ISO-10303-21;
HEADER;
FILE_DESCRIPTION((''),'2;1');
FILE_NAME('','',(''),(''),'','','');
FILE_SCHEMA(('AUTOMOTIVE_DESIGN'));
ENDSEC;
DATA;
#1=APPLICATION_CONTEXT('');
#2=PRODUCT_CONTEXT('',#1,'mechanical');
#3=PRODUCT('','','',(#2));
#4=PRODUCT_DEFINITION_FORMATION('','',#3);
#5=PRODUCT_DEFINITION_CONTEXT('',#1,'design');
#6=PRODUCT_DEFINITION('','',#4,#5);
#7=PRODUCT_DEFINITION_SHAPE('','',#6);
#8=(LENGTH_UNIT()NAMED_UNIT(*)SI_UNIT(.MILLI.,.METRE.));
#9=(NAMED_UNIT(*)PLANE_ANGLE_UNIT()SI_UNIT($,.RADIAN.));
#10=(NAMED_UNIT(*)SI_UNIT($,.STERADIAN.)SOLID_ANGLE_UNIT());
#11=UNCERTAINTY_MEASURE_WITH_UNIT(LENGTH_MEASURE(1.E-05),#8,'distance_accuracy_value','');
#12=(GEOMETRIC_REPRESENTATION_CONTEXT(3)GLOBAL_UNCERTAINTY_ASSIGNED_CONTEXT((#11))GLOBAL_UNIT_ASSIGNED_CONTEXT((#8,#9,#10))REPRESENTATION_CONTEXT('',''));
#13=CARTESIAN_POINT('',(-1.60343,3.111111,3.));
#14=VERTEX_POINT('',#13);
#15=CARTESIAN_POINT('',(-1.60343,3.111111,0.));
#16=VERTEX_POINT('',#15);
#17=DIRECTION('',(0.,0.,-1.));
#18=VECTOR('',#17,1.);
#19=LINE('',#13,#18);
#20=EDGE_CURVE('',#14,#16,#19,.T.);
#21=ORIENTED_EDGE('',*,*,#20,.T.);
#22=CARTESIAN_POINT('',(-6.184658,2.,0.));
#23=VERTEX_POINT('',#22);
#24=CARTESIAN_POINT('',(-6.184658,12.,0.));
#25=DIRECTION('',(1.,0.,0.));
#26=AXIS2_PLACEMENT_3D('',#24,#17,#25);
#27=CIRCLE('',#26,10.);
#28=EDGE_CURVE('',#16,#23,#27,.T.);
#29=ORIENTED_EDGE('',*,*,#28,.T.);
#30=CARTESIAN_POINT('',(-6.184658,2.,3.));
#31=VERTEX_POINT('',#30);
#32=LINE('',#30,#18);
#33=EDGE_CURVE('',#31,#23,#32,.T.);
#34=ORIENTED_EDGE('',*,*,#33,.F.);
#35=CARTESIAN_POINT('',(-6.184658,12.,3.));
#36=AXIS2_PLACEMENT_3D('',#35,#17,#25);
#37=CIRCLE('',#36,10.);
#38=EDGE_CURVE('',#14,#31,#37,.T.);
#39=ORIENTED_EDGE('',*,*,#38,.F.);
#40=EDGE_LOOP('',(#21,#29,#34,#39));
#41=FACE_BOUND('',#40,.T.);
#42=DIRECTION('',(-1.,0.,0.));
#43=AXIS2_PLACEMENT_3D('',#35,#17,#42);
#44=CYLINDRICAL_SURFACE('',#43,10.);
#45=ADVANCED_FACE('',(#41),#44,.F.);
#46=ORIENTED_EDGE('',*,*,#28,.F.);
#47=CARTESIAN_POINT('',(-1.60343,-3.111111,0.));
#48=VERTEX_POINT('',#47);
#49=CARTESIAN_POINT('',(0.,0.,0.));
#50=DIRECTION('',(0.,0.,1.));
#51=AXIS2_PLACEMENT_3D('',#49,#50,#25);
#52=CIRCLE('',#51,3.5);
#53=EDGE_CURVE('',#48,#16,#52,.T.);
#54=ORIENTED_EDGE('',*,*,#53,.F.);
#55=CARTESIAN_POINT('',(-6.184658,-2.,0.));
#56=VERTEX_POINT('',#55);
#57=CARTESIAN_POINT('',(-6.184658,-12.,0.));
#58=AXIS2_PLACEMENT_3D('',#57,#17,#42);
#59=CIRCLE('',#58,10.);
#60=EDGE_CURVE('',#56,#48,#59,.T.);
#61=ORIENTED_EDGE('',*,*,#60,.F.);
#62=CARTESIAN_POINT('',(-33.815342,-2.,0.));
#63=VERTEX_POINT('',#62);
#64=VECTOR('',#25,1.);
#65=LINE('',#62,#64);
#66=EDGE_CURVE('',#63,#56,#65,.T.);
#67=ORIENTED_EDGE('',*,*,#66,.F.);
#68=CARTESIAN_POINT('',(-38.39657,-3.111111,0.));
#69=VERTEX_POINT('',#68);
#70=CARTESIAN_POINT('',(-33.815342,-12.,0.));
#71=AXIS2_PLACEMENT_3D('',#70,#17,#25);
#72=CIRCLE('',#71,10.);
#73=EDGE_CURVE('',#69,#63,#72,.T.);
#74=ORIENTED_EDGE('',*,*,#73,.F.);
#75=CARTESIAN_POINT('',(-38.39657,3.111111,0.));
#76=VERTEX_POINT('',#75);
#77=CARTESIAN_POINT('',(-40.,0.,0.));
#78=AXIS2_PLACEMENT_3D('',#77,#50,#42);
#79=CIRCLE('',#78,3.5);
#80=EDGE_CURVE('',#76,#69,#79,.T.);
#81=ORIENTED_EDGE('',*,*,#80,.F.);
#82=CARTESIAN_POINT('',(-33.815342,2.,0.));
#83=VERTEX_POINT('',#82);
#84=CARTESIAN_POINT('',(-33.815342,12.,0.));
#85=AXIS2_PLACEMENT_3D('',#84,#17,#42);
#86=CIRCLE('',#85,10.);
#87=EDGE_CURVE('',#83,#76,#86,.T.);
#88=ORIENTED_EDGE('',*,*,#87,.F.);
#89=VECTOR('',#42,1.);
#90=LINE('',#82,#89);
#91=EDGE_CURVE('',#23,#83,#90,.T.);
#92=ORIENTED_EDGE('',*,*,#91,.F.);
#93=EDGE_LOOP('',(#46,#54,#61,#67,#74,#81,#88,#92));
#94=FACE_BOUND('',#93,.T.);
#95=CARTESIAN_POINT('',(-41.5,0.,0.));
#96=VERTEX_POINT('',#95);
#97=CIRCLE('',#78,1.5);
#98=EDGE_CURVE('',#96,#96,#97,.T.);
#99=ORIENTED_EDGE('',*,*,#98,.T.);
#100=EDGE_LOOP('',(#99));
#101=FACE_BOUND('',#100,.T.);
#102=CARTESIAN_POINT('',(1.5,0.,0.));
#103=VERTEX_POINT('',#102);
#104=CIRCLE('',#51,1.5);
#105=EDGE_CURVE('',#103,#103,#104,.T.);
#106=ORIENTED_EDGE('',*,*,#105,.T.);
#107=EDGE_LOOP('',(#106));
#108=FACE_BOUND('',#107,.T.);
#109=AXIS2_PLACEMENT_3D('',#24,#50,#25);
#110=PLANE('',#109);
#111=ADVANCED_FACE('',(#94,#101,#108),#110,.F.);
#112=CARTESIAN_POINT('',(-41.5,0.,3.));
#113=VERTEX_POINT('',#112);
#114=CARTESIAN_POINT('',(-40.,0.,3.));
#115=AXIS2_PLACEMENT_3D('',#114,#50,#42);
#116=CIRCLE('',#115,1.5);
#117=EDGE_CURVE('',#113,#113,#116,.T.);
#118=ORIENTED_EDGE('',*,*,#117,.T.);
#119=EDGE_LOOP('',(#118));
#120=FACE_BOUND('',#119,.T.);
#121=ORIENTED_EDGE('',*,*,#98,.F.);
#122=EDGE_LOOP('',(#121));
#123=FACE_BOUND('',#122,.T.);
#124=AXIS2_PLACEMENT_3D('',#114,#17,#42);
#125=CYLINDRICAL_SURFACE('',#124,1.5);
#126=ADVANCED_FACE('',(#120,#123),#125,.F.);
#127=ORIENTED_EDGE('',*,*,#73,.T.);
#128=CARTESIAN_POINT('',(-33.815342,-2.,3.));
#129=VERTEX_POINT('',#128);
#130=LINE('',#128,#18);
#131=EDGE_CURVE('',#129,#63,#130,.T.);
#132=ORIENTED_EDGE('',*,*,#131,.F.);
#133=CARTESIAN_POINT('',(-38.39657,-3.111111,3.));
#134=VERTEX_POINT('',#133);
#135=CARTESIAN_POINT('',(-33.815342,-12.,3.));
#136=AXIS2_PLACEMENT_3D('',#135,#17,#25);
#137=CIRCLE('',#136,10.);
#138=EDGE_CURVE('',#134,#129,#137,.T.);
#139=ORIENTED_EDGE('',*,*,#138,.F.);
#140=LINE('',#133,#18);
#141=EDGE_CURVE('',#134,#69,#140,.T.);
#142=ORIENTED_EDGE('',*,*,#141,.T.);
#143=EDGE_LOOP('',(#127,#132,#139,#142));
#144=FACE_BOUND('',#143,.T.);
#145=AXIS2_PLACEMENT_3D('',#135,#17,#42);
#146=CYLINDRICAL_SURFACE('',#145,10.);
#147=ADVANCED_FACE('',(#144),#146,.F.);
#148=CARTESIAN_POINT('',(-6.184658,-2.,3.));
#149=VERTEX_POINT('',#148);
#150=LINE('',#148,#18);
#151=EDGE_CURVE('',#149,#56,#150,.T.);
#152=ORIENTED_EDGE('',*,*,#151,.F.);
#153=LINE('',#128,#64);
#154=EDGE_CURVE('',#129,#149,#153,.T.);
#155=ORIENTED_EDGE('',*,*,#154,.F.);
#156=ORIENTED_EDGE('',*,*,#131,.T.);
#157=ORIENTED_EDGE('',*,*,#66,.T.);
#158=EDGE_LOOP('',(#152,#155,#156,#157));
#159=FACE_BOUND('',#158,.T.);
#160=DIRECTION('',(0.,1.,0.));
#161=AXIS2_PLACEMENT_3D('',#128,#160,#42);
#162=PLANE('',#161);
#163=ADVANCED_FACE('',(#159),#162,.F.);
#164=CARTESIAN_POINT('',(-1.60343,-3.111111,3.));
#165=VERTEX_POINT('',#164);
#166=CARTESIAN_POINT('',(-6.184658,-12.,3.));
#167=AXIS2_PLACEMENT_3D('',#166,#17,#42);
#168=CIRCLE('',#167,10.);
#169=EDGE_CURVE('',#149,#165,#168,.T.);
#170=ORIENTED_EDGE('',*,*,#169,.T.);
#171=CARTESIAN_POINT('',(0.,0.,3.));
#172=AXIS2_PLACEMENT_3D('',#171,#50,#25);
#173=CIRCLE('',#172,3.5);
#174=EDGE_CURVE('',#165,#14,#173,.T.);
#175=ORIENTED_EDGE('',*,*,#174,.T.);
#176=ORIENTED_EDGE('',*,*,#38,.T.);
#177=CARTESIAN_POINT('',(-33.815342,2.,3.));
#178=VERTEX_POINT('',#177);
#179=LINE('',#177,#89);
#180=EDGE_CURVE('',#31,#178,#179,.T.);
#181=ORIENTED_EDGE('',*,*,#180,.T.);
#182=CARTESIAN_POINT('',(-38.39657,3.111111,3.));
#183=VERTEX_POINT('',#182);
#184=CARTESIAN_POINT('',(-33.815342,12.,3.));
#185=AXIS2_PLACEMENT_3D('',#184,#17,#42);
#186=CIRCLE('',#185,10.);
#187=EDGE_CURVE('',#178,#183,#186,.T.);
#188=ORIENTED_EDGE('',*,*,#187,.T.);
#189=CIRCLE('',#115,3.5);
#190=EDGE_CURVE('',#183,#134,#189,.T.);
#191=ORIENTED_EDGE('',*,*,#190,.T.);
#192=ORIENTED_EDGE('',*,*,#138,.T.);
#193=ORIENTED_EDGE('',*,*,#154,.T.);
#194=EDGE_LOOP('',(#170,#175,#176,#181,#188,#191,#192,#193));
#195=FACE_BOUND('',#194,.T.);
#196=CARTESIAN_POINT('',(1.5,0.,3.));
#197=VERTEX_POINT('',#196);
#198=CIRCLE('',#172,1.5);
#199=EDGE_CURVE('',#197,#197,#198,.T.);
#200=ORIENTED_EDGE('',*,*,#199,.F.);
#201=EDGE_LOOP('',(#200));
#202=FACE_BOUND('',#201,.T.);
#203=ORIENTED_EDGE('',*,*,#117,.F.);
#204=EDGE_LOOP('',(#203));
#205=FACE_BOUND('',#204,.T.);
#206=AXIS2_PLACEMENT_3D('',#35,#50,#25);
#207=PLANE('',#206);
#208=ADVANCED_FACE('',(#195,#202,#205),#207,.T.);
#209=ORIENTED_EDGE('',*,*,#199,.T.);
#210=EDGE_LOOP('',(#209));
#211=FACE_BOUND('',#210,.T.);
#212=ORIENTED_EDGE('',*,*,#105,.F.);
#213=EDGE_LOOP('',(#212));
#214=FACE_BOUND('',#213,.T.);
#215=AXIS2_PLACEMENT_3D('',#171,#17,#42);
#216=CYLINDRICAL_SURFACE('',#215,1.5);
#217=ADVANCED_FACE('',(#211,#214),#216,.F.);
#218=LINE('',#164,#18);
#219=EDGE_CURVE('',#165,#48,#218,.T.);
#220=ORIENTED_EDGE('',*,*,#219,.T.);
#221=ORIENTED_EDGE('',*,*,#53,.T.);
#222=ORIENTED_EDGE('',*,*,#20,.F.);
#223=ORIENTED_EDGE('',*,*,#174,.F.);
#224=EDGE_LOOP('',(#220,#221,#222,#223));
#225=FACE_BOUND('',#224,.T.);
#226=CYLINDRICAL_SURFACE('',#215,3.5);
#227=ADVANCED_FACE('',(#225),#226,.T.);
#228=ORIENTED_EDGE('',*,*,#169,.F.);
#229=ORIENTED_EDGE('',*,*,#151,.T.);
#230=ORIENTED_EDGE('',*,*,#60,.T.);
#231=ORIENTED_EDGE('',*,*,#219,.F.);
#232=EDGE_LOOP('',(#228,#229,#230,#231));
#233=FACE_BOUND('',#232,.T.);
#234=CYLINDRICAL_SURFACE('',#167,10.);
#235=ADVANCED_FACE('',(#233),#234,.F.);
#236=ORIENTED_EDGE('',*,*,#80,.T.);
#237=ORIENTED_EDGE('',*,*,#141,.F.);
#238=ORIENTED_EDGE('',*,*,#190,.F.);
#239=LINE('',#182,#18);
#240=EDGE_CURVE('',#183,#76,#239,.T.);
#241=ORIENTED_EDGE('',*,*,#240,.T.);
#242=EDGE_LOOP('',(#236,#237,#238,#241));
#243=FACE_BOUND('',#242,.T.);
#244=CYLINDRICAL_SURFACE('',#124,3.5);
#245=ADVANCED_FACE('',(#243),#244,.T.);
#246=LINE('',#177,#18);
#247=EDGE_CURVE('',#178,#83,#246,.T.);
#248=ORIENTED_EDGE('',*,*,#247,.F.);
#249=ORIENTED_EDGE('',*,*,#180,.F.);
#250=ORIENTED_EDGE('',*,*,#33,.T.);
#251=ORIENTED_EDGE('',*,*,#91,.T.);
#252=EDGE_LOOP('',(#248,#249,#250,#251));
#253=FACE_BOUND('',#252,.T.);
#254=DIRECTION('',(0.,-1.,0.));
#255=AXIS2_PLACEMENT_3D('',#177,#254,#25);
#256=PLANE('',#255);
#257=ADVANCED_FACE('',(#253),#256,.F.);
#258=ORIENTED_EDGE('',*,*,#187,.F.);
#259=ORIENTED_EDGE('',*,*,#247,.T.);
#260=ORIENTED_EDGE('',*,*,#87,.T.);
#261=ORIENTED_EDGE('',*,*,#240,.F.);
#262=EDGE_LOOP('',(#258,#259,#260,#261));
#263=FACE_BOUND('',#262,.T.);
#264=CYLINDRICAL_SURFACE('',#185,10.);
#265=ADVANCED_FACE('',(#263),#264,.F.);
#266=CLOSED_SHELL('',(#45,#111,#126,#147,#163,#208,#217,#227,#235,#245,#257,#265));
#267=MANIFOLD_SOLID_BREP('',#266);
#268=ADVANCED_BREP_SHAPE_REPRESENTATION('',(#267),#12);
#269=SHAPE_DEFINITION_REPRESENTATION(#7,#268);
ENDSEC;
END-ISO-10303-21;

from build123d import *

# Parameters (mm, degrees)
SKETCH1_R           = 1.5
BOSS_EXTRUDE1_DEPTH = 3


with BuildPart() as part:
    # Sketch1 → Boss-Extrude1 (new body)
    with BuildSketch(Plane.XY):
        with BuildLine():
            Line((-33.815341562, 2), (-6.184658438, 2))
            ThreePointArc((-6.184658438, 2), (-3.827635834, 2.281746842), (-1.603429966, 3.111111111))
            ThreePointArc((-1.603429966, 3.111111111), (3.5, 0), (-1.603429966, -3.111111111))
            ThreePointArc((-1.603429966, -3.111111111), (-3.827635834, -2.281746842), (-6.184658438, -2))
            Line((-6.184658438, -2), (-33.815341562, -2))
            ThreePointArc((-33.815341562, -2), (-36.172364166, -2.281746842), (-38.396570034, -3.111111111))
            ThreePointArc((-38.396570034, -3.111111111), (-43.5, 0), (-38.396570034, 3.111111111))
            ThreePointArc((-38.396570034, 3.111111111), (-36.172364166, 2.281746842), (-33.815341562, 2))
        make_face()
        Circle(SKETCH1_R, mode=Mode.SUBTRACT)
        with Locations(Location((-40, 0, 0), (0, 0, 180))):
            Circle(SKETCH1_R, mode=Mode.SUBTRACT)
    extrude(amount=BOSS_EXTRUDE1_DEPTH)


solid = part.part
